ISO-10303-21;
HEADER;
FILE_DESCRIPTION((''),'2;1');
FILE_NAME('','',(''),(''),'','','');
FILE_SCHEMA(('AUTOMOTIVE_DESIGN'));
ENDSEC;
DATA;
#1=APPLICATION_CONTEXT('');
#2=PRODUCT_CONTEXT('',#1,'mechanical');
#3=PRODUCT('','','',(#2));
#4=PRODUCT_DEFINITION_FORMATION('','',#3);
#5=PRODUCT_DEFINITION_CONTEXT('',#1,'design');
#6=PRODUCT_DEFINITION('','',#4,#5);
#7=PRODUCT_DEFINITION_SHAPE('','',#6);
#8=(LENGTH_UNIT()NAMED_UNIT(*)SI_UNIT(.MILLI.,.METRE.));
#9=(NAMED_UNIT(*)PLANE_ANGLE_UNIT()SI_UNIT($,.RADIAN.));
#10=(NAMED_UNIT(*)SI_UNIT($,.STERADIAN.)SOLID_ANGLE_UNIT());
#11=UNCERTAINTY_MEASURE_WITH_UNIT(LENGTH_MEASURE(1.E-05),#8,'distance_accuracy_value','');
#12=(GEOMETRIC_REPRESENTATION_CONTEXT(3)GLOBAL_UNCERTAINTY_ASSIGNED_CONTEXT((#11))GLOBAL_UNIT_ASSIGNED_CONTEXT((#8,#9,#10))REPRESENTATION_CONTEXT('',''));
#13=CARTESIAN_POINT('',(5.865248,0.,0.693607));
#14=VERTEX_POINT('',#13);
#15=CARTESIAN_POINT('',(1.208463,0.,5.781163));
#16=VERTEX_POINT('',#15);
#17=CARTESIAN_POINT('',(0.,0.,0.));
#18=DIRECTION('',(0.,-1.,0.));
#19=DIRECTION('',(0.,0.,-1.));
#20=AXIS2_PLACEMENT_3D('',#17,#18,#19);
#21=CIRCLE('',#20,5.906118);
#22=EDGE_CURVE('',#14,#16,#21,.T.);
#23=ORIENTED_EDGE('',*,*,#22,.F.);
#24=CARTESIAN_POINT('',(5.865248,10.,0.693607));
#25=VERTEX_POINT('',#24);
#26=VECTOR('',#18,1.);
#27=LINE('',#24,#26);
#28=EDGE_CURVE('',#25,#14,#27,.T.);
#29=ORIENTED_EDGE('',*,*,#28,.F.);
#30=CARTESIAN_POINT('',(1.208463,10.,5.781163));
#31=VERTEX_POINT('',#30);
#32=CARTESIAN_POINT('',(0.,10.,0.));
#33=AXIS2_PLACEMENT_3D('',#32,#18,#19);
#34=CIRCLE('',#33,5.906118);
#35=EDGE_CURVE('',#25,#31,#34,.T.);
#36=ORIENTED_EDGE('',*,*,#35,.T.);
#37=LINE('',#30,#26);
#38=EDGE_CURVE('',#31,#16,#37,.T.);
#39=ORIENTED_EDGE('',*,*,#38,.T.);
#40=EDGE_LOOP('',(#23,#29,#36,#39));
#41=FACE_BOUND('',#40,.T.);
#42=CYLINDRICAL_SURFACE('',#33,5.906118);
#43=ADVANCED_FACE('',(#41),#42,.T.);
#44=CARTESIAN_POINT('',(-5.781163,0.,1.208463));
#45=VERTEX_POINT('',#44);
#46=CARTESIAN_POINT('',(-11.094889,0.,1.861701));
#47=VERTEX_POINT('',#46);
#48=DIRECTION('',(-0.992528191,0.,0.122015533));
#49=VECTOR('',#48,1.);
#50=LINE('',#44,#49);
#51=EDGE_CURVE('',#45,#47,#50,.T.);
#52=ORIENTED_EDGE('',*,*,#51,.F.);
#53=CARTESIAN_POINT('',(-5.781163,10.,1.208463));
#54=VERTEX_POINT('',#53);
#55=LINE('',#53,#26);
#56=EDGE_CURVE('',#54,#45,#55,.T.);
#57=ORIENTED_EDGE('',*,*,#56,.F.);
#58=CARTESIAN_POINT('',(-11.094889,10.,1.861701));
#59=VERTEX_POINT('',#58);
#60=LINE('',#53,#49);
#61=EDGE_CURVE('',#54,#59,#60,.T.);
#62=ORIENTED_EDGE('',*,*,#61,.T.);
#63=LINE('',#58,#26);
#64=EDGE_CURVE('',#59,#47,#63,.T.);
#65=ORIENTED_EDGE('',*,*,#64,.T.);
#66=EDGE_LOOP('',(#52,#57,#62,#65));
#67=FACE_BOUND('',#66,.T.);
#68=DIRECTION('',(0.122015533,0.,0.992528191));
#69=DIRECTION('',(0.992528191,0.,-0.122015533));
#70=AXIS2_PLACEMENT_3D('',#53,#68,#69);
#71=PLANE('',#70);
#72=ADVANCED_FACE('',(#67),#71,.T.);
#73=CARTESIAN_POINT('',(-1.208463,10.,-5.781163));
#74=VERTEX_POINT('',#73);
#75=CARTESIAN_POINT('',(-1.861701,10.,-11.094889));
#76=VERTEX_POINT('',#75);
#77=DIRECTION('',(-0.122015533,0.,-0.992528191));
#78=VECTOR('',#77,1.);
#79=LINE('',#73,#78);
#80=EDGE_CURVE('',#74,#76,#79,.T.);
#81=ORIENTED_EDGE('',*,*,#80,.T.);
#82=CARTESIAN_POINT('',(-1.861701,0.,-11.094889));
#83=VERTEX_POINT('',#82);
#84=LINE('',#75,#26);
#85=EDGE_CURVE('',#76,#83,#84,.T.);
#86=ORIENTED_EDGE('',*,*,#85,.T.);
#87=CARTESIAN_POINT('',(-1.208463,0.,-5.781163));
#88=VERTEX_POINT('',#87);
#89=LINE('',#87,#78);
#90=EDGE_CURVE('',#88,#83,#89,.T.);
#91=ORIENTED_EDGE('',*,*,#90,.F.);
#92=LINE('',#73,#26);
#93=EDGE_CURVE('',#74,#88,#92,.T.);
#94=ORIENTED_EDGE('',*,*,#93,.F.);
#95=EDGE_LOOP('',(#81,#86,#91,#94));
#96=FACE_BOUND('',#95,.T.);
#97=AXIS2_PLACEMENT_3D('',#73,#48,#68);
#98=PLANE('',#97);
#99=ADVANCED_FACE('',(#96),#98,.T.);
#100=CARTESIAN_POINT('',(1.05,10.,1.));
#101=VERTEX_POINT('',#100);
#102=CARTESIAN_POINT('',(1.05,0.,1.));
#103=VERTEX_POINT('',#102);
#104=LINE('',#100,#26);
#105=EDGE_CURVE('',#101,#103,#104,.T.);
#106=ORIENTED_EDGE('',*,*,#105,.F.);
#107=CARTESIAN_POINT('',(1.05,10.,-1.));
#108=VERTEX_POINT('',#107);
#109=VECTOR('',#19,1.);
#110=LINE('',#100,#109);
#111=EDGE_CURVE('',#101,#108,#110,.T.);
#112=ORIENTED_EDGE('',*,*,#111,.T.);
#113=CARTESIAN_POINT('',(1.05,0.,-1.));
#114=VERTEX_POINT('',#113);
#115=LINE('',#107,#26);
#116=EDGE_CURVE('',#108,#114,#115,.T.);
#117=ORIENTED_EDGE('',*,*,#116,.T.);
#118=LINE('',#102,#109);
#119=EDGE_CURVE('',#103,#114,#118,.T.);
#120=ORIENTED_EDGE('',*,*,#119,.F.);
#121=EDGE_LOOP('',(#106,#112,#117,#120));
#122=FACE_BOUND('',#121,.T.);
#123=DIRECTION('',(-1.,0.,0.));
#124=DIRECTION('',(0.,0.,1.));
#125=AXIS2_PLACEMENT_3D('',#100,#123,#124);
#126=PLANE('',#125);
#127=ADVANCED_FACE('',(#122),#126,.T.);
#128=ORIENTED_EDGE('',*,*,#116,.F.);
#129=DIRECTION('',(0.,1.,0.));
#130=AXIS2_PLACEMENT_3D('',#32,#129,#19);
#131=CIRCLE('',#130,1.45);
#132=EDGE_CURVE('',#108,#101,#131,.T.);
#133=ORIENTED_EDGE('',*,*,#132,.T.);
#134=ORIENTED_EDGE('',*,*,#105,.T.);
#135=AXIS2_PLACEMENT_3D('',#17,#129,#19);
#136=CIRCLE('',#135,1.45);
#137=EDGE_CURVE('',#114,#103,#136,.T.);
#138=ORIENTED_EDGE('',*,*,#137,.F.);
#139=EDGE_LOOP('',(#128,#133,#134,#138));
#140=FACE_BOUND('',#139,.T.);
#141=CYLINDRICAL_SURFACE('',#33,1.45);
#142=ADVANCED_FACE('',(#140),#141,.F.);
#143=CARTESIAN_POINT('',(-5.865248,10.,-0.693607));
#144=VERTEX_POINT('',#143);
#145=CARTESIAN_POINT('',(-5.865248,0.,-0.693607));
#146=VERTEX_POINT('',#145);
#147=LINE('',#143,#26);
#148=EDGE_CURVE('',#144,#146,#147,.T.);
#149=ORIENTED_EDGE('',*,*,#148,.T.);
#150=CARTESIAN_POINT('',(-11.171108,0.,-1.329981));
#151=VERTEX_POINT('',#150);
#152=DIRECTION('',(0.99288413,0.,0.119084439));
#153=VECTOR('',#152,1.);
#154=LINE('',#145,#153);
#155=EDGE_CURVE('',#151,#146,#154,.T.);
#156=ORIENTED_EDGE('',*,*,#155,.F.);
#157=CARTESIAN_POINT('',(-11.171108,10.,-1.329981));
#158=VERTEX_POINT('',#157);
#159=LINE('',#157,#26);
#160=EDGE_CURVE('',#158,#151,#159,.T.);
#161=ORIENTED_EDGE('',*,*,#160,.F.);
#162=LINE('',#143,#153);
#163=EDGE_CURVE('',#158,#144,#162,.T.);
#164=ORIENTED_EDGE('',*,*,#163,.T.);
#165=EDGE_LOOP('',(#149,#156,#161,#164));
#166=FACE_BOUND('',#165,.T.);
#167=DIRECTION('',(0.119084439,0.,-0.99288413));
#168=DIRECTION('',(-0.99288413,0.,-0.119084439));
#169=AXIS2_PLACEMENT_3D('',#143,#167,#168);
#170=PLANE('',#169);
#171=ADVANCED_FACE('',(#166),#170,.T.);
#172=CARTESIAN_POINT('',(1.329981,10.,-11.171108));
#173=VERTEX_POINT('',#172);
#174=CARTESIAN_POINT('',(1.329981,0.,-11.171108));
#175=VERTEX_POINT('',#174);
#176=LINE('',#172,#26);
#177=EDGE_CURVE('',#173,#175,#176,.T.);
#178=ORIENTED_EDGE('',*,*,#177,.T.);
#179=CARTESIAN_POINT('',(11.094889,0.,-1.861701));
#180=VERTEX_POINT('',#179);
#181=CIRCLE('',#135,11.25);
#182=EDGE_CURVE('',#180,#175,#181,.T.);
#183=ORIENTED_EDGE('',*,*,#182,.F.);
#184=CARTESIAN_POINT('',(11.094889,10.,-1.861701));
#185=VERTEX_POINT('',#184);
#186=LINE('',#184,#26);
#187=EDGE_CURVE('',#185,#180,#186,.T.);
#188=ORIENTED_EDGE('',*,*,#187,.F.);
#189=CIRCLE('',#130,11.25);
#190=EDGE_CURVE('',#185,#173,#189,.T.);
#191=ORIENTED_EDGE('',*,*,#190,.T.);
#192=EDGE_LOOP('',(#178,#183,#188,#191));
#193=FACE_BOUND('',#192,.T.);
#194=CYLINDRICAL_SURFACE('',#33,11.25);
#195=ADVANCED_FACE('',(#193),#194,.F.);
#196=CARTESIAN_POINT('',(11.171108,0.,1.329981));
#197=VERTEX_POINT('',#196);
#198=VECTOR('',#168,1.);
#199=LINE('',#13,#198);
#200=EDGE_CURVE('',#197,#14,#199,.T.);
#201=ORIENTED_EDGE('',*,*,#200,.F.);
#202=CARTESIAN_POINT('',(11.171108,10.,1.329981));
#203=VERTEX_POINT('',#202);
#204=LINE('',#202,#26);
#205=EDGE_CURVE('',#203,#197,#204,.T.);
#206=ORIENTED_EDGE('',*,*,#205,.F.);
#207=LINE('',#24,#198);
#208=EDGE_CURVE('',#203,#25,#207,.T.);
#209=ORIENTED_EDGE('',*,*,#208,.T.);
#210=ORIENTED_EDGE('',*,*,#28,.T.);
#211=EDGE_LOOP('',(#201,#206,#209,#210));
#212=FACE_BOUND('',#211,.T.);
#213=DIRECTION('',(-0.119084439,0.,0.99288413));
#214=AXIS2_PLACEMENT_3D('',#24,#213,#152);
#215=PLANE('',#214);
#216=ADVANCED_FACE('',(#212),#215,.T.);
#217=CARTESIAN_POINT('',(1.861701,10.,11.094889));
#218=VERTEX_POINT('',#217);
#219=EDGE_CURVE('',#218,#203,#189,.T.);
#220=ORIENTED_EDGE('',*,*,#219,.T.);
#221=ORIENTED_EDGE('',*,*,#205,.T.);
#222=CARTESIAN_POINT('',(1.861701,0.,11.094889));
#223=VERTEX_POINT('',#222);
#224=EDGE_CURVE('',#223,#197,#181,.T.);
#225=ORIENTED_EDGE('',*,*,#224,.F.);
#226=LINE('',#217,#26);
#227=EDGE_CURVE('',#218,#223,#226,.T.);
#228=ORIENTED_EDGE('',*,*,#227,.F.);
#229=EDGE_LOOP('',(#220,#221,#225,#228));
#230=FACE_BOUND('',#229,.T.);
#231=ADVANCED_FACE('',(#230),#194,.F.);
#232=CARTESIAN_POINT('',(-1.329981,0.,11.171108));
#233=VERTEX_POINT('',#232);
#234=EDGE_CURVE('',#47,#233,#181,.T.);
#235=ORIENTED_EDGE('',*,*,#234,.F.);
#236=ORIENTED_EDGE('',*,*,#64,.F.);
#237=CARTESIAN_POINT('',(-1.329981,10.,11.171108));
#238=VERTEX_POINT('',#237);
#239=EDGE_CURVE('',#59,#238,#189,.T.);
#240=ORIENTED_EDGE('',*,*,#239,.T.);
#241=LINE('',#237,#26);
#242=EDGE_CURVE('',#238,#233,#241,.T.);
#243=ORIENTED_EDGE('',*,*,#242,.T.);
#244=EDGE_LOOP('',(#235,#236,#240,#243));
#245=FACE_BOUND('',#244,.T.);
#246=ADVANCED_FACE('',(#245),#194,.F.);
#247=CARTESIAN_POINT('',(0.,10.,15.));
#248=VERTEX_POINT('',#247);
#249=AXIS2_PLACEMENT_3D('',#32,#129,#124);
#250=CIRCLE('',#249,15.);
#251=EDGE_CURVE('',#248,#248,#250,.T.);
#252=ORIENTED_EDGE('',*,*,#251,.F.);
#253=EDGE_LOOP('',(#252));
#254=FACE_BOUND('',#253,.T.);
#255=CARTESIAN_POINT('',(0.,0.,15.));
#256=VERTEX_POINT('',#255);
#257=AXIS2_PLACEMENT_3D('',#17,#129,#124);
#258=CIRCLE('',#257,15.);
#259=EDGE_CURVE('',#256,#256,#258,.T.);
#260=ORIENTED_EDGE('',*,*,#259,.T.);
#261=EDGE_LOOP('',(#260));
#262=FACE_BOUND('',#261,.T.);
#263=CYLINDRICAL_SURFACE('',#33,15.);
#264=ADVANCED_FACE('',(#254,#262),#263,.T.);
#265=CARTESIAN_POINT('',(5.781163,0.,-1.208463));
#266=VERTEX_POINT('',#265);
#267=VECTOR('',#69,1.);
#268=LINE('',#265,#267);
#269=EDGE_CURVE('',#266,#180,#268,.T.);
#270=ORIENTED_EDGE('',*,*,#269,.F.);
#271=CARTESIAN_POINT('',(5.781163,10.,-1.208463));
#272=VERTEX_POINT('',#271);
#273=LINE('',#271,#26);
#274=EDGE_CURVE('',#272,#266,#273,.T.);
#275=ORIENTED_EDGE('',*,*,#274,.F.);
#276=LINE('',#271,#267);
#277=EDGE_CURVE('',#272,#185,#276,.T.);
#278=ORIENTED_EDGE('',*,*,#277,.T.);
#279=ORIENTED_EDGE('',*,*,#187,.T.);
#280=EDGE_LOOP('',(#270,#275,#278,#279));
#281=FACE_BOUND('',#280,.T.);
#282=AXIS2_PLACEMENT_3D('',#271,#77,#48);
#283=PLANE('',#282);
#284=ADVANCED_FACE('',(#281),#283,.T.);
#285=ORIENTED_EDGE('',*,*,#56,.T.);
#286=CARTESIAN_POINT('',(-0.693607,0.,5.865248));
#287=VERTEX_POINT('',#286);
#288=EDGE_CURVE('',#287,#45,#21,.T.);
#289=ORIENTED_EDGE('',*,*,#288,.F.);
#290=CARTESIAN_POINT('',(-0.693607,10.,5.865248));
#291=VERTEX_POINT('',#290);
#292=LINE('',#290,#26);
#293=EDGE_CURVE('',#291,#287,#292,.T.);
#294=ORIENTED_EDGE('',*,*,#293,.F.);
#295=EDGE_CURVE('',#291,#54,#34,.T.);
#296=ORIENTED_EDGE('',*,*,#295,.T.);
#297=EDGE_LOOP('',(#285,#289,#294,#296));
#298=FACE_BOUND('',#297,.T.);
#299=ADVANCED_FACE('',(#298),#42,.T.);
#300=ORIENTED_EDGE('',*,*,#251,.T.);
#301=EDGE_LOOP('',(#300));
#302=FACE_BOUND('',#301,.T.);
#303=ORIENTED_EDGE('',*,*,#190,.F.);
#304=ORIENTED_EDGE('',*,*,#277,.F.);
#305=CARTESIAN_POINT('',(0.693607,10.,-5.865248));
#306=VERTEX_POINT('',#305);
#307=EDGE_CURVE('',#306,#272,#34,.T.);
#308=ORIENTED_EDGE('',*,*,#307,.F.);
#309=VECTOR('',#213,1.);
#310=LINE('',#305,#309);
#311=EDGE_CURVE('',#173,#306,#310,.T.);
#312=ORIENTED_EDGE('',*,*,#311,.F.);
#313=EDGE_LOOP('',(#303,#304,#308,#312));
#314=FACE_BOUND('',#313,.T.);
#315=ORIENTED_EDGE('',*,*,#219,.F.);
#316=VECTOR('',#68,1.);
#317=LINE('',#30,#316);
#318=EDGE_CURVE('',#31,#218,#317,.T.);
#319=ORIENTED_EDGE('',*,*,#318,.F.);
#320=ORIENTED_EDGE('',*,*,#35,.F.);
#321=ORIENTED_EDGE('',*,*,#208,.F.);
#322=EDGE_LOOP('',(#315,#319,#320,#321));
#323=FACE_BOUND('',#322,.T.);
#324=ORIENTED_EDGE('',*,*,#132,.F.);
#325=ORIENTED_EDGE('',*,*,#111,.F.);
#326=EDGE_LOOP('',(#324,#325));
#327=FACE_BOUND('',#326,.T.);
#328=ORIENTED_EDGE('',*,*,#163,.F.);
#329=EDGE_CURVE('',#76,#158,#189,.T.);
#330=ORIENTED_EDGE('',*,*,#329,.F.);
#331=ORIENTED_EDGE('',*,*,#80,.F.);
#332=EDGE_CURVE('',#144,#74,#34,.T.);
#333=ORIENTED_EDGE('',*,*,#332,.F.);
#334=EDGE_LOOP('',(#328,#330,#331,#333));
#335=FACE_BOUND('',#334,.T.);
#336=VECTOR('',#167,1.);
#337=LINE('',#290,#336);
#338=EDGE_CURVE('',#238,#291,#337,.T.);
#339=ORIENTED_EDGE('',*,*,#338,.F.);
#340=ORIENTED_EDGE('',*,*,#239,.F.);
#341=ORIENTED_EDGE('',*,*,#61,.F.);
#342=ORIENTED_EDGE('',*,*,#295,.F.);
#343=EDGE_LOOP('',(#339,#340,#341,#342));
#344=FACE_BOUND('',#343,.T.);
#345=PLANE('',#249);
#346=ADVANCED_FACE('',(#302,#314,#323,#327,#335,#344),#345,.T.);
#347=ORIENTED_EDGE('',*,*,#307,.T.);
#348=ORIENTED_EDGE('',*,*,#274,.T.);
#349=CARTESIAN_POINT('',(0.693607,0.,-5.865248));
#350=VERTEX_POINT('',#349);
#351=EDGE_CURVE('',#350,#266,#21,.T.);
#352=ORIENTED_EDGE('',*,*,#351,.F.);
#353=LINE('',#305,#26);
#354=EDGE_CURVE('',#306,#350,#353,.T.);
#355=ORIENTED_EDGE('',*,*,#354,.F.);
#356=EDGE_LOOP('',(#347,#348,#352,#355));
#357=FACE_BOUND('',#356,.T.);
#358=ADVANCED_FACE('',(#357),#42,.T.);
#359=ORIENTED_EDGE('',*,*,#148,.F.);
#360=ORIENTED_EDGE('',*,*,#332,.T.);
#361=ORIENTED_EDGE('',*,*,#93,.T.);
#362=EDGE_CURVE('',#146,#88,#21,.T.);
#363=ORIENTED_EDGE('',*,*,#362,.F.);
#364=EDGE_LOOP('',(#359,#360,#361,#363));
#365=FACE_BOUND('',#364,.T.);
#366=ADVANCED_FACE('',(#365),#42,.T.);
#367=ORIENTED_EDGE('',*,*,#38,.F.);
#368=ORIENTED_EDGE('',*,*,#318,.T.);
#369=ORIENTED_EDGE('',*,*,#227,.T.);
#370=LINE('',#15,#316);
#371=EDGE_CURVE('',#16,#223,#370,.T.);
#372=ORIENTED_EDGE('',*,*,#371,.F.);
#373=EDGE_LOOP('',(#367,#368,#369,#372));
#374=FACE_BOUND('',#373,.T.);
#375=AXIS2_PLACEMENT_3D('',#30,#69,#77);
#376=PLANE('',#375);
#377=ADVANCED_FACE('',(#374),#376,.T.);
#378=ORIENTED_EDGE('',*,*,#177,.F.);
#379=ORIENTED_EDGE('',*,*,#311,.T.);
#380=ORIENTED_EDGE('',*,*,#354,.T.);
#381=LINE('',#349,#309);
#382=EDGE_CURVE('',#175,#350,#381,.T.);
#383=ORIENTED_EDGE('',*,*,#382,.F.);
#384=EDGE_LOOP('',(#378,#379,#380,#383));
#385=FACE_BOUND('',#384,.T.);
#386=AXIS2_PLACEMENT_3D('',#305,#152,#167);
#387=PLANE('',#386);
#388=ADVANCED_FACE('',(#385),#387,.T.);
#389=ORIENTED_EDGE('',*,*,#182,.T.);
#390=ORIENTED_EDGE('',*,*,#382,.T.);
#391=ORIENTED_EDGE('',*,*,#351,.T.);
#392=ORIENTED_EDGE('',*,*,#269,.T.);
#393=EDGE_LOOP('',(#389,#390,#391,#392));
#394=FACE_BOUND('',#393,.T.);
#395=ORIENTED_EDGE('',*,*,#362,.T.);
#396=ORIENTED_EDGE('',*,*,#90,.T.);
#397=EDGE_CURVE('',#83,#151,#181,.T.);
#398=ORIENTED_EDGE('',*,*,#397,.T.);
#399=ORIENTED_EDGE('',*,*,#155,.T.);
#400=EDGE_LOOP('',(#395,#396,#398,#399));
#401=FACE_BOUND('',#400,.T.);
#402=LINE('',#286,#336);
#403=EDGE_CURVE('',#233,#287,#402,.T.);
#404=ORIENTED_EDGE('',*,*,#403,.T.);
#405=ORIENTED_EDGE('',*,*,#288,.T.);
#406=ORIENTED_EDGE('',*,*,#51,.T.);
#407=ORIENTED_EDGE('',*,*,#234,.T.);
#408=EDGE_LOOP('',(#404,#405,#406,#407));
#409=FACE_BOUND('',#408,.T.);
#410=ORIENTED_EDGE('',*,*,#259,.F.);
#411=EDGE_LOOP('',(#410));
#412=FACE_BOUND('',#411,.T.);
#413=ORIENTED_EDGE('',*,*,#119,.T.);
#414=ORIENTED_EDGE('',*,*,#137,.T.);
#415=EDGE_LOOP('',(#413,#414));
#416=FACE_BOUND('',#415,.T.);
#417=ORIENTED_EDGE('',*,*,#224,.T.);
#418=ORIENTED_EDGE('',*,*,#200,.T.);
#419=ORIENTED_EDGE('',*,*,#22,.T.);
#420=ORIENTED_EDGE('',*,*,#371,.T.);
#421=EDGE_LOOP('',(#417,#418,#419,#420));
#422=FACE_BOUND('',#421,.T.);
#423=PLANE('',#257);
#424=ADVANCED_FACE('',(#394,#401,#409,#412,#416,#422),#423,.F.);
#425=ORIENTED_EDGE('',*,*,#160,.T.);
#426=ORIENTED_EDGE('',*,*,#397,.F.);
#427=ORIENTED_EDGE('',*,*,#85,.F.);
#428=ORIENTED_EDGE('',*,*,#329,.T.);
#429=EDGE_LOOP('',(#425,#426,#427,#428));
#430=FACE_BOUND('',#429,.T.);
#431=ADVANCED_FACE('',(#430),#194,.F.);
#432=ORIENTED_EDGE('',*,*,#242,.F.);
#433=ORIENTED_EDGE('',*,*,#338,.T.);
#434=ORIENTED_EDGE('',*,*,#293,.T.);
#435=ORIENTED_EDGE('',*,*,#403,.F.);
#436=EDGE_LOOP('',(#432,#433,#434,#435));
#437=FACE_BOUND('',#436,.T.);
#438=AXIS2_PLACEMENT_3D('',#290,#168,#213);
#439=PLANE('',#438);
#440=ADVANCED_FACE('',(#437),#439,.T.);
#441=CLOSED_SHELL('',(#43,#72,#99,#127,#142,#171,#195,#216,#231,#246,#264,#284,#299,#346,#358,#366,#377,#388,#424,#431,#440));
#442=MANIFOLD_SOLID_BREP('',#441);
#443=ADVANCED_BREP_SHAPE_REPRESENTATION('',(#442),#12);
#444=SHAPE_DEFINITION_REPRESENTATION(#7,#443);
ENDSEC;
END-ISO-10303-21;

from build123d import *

# Parameters (mm, degrees)
ESBO_O1_R                = 15
RESSALTO_EXTRUS_O1_DEPTH = 10


with BuildPart() as part:
    # Esboço1 → Ressalto-extrusão1 (new body)
    with BuildSketch(Plane(origin=(0, 0, 0), x_dir=(1, 0, 0), z_dir=(0, 1, 0))):
        with Locations(Location((0, 0, 0), (0, 0, 270))):
            Circle(ESBO_O1_R)
        with BuildLine():
            Line((1.05, -1), (1.05, 1))
            ThreePointArc((1.05, 1), (-1.45, 0), (1.05, -1))
        make_face(mode=Mode.SUBTRACT)
        with BuildLine():
            Line((1.20846299, -5.78116293), (1.861701017, -11.094889334))
            ThreePointArc((1.861701017, -11.094889334), (8.142596912, -7.762771124), (11.171107828, -1.329981166))
            Line((11.171107828, -1.329981166), (5.865248184, -0.693607497))
            ThreePointArc((5.865248184, -0.693607497), (4.356621686, -3.987740601), (1.20846299, -5.78116293))
        make_face(mode=Mode.SUBTRACT)
        with BuildLine():
            Line((-5.78116293, -1.20846299), (-11.094889334, -1.861701017))
            ThreePointArc((-11.094889334, -1.861701017), (-7.762771124, -8.142596912), (-1.329981166, -11.171107828))
            Line((-1.329981166, -11.171107828), (-0.693607497, -5.865248184))
            ThreePointArc((-0.693607497, -5.865248184), (-3.987740601, -4.356621686), (-5.78116293, -1.20846299))
        make_face(mode=Mode.SUBTRACT)
        with BuildLine():
            Line((-1.20846299, 5.78116293), (-1.861701017, 11.094889334))
            ThreePointArc((-1.861701017, 11.094889334), (-8.142596912, 7.762771124), (-11.171107828, 1.329981166))
            Line((-11.171107828, 1.329981166), (-5.865248184, 0.693607497))
            ThreePointArc((-5.865248184, 0.693607497), (-4.356621686, 3.987740601), (-1.20846299, 5.78116293))
        make_face(mode=Mode.SUBTRACT)
        with BuildLine():
            Line((5.78116293, 1.20846299), (11.094889334, 1.861701017))
            ThreePointArc((11.094889334, 1.861701017), (7.762771124, 8.142596912), (1.329981166, 11.171107828))
            Line((1.329981166, 11.171107828), (0.693607497, 5.865248184))
            ThreePointArc((0.693607497, 5.865248184), (3.987740601, 4.356621686), (5.78116293, 1.20846299))
        make_face(mode=Mode.SUBTRACT)
    extrude(amount=RESSALTO_EXTRUS_O1_DEPTH)


solid = part.part
